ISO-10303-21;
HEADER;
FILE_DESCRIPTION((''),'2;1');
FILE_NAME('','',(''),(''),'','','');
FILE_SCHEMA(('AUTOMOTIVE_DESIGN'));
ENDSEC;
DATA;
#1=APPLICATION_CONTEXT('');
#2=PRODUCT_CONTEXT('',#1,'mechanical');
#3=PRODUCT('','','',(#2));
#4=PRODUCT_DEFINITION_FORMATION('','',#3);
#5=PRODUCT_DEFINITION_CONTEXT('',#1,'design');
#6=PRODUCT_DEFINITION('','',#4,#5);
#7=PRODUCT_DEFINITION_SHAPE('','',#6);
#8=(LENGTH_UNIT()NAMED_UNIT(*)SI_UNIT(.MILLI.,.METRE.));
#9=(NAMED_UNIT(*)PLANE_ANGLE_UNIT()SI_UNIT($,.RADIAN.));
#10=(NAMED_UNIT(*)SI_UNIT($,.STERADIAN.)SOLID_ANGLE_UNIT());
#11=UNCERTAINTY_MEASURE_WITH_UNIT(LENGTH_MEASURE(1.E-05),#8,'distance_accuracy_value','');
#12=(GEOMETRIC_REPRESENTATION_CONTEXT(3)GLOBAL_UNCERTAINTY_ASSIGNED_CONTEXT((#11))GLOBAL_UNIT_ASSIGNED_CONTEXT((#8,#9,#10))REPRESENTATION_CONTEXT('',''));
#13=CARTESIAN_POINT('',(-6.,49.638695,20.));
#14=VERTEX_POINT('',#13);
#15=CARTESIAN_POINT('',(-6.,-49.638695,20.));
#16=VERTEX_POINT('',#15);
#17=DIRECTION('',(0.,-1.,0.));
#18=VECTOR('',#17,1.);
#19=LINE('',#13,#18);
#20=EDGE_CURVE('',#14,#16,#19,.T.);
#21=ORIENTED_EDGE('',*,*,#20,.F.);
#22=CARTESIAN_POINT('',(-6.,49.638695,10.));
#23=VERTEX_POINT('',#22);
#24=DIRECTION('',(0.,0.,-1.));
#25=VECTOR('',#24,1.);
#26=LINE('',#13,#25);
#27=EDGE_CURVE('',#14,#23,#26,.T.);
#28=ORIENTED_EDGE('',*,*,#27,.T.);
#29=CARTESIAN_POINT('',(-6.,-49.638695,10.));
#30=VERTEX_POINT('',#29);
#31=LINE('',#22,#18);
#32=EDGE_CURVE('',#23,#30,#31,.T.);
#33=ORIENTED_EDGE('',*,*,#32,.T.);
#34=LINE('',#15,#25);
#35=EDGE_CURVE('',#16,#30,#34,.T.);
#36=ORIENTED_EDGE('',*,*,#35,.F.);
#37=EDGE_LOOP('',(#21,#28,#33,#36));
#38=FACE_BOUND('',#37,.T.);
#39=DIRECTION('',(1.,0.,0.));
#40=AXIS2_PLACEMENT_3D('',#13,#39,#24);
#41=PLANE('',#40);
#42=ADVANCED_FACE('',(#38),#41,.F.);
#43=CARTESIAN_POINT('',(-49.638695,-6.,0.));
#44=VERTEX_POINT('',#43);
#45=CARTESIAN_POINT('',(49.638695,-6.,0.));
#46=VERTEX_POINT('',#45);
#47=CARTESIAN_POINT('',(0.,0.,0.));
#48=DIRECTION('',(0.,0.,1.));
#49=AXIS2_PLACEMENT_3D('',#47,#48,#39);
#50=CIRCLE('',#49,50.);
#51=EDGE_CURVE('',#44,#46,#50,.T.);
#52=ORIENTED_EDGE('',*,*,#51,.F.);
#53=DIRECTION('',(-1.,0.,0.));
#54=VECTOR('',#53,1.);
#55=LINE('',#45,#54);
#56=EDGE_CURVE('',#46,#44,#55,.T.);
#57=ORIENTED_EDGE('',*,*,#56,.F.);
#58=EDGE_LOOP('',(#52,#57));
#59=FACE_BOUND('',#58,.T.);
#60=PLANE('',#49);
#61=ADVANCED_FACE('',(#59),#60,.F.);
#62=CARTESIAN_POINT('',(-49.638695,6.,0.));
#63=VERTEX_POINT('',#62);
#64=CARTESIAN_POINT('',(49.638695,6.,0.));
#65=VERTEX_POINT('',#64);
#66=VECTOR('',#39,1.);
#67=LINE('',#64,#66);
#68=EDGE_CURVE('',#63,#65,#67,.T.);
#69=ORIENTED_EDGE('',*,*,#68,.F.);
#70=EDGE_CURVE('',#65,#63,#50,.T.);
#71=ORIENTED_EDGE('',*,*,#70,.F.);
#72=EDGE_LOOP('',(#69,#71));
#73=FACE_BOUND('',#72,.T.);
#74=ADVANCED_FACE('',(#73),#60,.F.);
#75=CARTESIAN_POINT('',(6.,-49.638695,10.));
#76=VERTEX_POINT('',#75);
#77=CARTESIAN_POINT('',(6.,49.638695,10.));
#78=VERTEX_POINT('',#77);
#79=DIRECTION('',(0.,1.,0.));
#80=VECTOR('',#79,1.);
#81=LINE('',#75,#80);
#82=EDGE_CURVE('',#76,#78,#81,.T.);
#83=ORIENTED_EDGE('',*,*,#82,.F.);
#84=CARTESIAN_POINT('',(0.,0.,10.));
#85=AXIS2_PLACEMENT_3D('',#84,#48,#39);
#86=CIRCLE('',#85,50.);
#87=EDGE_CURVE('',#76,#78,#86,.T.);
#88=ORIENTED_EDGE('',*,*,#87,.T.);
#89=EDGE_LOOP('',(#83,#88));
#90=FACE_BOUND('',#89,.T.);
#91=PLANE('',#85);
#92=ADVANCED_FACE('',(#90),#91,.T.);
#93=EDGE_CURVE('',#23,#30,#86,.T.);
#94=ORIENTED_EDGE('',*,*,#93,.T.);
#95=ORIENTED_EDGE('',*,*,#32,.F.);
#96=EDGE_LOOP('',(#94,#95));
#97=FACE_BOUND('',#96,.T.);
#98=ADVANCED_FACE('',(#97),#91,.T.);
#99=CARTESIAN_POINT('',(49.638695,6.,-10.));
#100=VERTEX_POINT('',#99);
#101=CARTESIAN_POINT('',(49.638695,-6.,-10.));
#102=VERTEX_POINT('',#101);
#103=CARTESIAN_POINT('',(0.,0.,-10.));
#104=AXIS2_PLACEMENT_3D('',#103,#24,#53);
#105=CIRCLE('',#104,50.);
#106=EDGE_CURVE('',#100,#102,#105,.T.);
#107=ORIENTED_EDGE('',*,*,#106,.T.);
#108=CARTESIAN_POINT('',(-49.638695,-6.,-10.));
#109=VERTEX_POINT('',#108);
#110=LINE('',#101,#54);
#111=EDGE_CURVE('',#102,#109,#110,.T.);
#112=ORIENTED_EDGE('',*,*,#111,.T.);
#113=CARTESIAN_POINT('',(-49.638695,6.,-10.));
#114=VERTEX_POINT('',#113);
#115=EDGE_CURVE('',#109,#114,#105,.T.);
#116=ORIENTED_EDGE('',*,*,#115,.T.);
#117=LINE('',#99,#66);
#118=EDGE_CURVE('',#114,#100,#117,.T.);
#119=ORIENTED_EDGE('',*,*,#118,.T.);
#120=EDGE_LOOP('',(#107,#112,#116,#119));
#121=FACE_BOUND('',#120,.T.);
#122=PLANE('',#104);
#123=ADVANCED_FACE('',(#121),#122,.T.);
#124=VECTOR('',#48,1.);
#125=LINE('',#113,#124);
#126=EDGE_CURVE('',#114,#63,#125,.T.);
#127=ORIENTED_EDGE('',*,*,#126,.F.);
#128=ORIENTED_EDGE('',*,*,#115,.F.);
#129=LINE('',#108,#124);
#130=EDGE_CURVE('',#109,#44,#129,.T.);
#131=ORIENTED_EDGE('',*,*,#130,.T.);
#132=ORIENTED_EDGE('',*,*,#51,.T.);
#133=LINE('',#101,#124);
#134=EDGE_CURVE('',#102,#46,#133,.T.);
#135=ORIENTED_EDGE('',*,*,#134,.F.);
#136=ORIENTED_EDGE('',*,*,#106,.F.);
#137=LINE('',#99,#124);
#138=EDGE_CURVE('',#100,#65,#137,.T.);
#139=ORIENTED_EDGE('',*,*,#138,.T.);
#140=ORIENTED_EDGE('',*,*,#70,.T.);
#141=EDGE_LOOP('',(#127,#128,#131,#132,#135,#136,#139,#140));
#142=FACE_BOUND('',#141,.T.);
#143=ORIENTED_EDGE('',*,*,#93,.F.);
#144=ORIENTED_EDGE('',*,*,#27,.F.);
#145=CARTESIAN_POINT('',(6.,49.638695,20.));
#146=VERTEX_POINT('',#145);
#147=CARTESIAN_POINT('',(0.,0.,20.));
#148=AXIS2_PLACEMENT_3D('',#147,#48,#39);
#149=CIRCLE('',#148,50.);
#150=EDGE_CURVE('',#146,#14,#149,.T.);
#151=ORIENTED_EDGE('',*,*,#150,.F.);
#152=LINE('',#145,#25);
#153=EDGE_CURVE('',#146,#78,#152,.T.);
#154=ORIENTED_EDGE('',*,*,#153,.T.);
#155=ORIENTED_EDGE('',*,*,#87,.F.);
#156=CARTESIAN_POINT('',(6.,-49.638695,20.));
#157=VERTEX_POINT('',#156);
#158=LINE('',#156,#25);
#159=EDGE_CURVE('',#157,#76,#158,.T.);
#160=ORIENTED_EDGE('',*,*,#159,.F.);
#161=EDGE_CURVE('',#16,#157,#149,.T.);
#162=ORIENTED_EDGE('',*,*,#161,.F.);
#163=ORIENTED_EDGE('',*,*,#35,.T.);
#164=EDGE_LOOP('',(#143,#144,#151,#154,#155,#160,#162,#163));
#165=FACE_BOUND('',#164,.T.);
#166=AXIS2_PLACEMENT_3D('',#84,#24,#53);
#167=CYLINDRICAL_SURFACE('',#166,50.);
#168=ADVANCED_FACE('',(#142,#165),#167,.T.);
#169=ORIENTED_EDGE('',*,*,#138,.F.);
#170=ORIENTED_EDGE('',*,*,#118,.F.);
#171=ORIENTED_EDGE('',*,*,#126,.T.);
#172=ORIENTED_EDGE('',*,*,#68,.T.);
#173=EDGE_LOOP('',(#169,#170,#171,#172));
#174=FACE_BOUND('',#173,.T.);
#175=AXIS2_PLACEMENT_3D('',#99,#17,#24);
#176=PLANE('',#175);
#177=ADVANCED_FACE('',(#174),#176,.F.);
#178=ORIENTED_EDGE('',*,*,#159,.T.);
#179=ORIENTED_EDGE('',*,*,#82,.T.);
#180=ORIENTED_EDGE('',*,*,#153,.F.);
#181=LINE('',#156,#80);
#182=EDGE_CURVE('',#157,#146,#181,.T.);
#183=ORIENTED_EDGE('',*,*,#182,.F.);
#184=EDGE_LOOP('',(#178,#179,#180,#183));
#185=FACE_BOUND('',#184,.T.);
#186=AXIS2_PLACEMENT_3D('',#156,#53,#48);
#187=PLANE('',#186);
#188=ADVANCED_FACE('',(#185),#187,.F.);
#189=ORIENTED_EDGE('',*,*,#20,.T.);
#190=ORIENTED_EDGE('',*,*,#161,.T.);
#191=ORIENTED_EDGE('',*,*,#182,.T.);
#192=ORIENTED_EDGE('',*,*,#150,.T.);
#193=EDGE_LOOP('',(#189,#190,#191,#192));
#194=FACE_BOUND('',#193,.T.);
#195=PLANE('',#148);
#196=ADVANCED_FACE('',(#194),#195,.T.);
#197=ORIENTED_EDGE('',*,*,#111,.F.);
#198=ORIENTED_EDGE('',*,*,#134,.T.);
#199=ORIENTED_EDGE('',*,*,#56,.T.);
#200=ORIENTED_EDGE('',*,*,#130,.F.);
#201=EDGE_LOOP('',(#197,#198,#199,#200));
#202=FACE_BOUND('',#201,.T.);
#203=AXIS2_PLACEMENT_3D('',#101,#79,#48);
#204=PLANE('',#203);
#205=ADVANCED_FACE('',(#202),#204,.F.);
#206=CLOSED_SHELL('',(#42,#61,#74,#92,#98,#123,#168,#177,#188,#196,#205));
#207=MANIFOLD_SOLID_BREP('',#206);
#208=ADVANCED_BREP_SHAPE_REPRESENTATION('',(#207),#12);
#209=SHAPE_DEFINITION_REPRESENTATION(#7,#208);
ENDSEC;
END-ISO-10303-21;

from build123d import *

# Parameters (mm, degrees)
SKETCH2_R           = 50
BOSS_EXTRUDE1_DEPTH = 10
BOSS_EXTRUDE2_START = 10
BOSS_EXTRUDE2_DEPTH = 10
BOSS_EXTRUDE3_DEPTH = 10


with BuildPart() as part:
    # Sketch2 → Boss-Extrude1 (new body)
    with BuildSketch(Plane.XY):
        Circle(SKETCH2_R)
    extrude(amount=BOSS_EXTRUDE1_DEPTH)

    # Sketch3 → Boss-Extrude2 (add)
    with BuildSketch(Plane(origin=(0, 0, 0), x_dir=(-1, 0, 0), z_dir=(0, 0, -1)).offset(BOSS_EXTRUDE2_START)):
        with BuildLine():
            Line((-49.638694584, 6), (49.638694584, 6))
            ThreePointArc((49.638694584, 6), (50, 0), (49.638694584, -6))
            Line((49.638694584, -6), (-49.638694584, -6))
            ThreePointArc((-49.638694584, -6), (-50, 0), (-49.638694584, 6))
        make_face()
    extrude(amount=-BOSS_EXTRUDE2_DEPTH)

    # Sketch5 → Boss-Extrude3 (add)
    with BuildSketch(Plane.XY.offset(10)):
        with BuildLine():
            Line((-6, 49.638694584), (-6, -49.638694584))
            ThreePointArc((-6, -49.638694584), (0, -50), (6, -49.638694584))
            Line((6, -49.638694584), (6, 49.638694584))
            ThreePointArc((6, 49.638694584), (0, 50), (-6, 49.638694584))
        make_face()
    extrude(amount=BOSS_EXTRUDE3_DEPTH)


solid = part.part
